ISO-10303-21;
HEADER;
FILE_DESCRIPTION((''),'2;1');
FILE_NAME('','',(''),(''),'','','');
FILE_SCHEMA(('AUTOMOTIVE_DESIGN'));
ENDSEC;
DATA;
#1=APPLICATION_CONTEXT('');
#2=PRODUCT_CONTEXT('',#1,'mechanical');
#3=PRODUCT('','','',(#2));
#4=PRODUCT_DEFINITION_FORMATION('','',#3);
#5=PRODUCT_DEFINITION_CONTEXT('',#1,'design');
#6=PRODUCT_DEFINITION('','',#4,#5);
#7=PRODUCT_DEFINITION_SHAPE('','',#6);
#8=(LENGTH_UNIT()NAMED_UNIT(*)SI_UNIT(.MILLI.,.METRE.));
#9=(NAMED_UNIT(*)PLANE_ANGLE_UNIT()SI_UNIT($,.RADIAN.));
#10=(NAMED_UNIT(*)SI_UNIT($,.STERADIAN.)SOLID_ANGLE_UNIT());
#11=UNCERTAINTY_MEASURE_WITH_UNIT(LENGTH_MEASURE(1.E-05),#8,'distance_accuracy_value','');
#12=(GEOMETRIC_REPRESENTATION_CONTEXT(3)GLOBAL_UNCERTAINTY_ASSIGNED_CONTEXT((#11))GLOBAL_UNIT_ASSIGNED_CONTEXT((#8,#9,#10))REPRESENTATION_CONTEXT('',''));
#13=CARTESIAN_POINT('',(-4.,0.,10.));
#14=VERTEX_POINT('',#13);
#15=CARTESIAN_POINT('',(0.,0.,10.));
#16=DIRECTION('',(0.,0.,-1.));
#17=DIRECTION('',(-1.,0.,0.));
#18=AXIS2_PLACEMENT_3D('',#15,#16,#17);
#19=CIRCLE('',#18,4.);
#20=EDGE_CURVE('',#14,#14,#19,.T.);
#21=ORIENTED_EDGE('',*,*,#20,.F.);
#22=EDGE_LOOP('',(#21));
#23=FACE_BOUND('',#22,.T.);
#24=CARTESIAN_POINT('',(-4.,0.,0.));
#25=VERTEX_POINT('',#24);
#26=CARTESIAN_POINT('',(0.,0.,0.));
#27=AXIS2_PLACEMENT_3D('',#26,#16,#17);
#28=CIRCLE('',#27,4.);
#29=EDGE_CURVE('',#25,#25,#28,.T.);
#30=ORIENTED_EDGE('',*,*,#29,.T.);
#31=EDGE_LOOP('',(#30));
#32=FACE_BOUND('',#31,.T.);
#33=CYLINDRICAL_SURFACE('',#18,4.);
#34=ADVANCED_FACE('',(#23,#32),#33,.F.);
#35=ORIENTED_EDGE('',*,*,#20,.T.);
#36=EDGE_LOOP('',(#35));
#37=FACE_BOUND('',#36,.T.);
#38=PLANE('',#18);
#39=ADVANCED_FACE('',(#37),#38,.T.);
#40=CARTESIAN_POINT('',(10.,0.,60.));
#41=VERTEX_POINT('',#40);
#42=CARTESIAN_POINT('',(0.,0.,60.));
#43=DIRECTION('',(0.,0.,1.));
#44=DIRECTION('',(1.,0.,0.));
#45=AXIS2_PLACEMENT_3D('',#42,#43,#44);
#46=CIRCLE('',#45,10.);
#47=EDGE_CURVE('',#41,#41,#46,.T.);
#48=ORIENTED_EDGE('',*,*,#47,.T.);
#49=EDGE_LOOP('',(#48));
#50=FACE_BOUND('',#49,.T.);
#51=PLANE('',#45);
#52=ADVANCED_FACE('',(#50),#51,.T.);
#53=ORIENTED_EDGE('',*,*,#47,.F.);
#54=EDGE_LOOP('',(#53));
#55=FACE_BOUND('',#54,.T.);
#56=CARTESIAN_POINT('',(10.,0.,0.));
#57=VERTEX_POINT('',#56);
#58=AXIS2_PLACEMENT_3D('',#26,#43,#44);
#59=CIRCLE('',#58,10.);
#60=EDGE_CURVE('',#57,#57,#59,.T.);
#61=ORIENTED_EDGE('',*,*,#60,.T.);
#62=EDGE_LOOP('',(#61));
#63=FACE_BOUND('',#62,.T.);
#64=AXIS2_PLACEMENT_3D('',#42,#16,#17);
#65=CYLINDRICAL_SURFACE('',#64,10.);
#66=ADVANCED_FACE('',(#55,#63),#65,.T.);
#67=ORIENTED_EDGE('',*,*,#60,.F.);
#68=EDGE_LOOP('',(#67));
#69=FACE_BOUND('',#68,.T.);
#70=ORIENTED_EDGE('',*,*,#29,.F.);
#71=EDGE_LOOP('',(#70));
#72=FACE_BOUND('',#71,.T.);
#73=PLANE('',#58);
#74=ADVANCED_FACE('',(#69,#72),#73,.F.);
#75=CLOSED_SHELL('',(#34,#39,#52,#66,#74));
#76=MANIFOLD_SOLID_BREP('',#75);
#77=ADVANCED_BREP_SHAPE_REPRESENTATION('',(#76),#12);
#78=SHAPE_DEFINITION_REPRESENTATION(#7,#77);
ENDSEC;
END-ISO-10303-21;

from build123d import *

# Parameters (mm, degrees)
SKETCH1_R           = 10
BOSS_EXTRUDE1_DEPTH = 60
SKETCH2_R           = 4
CUT_EXTRUDE1_DEPTH  = 10


with BuildPart() as part:
    # Sketch1 → Boss-Extrude1 (new body)
    with BuildSketch(Plane.XY):
        Circle(SKETCH1_R)
    extrude(amount=BOSS_EXTRUDE1_DEPTH)

    # Sketch2 → Cut-Extrude1 (cut)
    with BuildSketch(Plane(origin=(0, 0, 0), x_dir=(-1, 0, 0), z_dir=(0, 0, -1))):
        Circle(SKETCH2_R)
    extrude(amount=-CUT_EXTRUDE1_DEPTH, mode=Mode.SUBTRACT)


solid = part.part
